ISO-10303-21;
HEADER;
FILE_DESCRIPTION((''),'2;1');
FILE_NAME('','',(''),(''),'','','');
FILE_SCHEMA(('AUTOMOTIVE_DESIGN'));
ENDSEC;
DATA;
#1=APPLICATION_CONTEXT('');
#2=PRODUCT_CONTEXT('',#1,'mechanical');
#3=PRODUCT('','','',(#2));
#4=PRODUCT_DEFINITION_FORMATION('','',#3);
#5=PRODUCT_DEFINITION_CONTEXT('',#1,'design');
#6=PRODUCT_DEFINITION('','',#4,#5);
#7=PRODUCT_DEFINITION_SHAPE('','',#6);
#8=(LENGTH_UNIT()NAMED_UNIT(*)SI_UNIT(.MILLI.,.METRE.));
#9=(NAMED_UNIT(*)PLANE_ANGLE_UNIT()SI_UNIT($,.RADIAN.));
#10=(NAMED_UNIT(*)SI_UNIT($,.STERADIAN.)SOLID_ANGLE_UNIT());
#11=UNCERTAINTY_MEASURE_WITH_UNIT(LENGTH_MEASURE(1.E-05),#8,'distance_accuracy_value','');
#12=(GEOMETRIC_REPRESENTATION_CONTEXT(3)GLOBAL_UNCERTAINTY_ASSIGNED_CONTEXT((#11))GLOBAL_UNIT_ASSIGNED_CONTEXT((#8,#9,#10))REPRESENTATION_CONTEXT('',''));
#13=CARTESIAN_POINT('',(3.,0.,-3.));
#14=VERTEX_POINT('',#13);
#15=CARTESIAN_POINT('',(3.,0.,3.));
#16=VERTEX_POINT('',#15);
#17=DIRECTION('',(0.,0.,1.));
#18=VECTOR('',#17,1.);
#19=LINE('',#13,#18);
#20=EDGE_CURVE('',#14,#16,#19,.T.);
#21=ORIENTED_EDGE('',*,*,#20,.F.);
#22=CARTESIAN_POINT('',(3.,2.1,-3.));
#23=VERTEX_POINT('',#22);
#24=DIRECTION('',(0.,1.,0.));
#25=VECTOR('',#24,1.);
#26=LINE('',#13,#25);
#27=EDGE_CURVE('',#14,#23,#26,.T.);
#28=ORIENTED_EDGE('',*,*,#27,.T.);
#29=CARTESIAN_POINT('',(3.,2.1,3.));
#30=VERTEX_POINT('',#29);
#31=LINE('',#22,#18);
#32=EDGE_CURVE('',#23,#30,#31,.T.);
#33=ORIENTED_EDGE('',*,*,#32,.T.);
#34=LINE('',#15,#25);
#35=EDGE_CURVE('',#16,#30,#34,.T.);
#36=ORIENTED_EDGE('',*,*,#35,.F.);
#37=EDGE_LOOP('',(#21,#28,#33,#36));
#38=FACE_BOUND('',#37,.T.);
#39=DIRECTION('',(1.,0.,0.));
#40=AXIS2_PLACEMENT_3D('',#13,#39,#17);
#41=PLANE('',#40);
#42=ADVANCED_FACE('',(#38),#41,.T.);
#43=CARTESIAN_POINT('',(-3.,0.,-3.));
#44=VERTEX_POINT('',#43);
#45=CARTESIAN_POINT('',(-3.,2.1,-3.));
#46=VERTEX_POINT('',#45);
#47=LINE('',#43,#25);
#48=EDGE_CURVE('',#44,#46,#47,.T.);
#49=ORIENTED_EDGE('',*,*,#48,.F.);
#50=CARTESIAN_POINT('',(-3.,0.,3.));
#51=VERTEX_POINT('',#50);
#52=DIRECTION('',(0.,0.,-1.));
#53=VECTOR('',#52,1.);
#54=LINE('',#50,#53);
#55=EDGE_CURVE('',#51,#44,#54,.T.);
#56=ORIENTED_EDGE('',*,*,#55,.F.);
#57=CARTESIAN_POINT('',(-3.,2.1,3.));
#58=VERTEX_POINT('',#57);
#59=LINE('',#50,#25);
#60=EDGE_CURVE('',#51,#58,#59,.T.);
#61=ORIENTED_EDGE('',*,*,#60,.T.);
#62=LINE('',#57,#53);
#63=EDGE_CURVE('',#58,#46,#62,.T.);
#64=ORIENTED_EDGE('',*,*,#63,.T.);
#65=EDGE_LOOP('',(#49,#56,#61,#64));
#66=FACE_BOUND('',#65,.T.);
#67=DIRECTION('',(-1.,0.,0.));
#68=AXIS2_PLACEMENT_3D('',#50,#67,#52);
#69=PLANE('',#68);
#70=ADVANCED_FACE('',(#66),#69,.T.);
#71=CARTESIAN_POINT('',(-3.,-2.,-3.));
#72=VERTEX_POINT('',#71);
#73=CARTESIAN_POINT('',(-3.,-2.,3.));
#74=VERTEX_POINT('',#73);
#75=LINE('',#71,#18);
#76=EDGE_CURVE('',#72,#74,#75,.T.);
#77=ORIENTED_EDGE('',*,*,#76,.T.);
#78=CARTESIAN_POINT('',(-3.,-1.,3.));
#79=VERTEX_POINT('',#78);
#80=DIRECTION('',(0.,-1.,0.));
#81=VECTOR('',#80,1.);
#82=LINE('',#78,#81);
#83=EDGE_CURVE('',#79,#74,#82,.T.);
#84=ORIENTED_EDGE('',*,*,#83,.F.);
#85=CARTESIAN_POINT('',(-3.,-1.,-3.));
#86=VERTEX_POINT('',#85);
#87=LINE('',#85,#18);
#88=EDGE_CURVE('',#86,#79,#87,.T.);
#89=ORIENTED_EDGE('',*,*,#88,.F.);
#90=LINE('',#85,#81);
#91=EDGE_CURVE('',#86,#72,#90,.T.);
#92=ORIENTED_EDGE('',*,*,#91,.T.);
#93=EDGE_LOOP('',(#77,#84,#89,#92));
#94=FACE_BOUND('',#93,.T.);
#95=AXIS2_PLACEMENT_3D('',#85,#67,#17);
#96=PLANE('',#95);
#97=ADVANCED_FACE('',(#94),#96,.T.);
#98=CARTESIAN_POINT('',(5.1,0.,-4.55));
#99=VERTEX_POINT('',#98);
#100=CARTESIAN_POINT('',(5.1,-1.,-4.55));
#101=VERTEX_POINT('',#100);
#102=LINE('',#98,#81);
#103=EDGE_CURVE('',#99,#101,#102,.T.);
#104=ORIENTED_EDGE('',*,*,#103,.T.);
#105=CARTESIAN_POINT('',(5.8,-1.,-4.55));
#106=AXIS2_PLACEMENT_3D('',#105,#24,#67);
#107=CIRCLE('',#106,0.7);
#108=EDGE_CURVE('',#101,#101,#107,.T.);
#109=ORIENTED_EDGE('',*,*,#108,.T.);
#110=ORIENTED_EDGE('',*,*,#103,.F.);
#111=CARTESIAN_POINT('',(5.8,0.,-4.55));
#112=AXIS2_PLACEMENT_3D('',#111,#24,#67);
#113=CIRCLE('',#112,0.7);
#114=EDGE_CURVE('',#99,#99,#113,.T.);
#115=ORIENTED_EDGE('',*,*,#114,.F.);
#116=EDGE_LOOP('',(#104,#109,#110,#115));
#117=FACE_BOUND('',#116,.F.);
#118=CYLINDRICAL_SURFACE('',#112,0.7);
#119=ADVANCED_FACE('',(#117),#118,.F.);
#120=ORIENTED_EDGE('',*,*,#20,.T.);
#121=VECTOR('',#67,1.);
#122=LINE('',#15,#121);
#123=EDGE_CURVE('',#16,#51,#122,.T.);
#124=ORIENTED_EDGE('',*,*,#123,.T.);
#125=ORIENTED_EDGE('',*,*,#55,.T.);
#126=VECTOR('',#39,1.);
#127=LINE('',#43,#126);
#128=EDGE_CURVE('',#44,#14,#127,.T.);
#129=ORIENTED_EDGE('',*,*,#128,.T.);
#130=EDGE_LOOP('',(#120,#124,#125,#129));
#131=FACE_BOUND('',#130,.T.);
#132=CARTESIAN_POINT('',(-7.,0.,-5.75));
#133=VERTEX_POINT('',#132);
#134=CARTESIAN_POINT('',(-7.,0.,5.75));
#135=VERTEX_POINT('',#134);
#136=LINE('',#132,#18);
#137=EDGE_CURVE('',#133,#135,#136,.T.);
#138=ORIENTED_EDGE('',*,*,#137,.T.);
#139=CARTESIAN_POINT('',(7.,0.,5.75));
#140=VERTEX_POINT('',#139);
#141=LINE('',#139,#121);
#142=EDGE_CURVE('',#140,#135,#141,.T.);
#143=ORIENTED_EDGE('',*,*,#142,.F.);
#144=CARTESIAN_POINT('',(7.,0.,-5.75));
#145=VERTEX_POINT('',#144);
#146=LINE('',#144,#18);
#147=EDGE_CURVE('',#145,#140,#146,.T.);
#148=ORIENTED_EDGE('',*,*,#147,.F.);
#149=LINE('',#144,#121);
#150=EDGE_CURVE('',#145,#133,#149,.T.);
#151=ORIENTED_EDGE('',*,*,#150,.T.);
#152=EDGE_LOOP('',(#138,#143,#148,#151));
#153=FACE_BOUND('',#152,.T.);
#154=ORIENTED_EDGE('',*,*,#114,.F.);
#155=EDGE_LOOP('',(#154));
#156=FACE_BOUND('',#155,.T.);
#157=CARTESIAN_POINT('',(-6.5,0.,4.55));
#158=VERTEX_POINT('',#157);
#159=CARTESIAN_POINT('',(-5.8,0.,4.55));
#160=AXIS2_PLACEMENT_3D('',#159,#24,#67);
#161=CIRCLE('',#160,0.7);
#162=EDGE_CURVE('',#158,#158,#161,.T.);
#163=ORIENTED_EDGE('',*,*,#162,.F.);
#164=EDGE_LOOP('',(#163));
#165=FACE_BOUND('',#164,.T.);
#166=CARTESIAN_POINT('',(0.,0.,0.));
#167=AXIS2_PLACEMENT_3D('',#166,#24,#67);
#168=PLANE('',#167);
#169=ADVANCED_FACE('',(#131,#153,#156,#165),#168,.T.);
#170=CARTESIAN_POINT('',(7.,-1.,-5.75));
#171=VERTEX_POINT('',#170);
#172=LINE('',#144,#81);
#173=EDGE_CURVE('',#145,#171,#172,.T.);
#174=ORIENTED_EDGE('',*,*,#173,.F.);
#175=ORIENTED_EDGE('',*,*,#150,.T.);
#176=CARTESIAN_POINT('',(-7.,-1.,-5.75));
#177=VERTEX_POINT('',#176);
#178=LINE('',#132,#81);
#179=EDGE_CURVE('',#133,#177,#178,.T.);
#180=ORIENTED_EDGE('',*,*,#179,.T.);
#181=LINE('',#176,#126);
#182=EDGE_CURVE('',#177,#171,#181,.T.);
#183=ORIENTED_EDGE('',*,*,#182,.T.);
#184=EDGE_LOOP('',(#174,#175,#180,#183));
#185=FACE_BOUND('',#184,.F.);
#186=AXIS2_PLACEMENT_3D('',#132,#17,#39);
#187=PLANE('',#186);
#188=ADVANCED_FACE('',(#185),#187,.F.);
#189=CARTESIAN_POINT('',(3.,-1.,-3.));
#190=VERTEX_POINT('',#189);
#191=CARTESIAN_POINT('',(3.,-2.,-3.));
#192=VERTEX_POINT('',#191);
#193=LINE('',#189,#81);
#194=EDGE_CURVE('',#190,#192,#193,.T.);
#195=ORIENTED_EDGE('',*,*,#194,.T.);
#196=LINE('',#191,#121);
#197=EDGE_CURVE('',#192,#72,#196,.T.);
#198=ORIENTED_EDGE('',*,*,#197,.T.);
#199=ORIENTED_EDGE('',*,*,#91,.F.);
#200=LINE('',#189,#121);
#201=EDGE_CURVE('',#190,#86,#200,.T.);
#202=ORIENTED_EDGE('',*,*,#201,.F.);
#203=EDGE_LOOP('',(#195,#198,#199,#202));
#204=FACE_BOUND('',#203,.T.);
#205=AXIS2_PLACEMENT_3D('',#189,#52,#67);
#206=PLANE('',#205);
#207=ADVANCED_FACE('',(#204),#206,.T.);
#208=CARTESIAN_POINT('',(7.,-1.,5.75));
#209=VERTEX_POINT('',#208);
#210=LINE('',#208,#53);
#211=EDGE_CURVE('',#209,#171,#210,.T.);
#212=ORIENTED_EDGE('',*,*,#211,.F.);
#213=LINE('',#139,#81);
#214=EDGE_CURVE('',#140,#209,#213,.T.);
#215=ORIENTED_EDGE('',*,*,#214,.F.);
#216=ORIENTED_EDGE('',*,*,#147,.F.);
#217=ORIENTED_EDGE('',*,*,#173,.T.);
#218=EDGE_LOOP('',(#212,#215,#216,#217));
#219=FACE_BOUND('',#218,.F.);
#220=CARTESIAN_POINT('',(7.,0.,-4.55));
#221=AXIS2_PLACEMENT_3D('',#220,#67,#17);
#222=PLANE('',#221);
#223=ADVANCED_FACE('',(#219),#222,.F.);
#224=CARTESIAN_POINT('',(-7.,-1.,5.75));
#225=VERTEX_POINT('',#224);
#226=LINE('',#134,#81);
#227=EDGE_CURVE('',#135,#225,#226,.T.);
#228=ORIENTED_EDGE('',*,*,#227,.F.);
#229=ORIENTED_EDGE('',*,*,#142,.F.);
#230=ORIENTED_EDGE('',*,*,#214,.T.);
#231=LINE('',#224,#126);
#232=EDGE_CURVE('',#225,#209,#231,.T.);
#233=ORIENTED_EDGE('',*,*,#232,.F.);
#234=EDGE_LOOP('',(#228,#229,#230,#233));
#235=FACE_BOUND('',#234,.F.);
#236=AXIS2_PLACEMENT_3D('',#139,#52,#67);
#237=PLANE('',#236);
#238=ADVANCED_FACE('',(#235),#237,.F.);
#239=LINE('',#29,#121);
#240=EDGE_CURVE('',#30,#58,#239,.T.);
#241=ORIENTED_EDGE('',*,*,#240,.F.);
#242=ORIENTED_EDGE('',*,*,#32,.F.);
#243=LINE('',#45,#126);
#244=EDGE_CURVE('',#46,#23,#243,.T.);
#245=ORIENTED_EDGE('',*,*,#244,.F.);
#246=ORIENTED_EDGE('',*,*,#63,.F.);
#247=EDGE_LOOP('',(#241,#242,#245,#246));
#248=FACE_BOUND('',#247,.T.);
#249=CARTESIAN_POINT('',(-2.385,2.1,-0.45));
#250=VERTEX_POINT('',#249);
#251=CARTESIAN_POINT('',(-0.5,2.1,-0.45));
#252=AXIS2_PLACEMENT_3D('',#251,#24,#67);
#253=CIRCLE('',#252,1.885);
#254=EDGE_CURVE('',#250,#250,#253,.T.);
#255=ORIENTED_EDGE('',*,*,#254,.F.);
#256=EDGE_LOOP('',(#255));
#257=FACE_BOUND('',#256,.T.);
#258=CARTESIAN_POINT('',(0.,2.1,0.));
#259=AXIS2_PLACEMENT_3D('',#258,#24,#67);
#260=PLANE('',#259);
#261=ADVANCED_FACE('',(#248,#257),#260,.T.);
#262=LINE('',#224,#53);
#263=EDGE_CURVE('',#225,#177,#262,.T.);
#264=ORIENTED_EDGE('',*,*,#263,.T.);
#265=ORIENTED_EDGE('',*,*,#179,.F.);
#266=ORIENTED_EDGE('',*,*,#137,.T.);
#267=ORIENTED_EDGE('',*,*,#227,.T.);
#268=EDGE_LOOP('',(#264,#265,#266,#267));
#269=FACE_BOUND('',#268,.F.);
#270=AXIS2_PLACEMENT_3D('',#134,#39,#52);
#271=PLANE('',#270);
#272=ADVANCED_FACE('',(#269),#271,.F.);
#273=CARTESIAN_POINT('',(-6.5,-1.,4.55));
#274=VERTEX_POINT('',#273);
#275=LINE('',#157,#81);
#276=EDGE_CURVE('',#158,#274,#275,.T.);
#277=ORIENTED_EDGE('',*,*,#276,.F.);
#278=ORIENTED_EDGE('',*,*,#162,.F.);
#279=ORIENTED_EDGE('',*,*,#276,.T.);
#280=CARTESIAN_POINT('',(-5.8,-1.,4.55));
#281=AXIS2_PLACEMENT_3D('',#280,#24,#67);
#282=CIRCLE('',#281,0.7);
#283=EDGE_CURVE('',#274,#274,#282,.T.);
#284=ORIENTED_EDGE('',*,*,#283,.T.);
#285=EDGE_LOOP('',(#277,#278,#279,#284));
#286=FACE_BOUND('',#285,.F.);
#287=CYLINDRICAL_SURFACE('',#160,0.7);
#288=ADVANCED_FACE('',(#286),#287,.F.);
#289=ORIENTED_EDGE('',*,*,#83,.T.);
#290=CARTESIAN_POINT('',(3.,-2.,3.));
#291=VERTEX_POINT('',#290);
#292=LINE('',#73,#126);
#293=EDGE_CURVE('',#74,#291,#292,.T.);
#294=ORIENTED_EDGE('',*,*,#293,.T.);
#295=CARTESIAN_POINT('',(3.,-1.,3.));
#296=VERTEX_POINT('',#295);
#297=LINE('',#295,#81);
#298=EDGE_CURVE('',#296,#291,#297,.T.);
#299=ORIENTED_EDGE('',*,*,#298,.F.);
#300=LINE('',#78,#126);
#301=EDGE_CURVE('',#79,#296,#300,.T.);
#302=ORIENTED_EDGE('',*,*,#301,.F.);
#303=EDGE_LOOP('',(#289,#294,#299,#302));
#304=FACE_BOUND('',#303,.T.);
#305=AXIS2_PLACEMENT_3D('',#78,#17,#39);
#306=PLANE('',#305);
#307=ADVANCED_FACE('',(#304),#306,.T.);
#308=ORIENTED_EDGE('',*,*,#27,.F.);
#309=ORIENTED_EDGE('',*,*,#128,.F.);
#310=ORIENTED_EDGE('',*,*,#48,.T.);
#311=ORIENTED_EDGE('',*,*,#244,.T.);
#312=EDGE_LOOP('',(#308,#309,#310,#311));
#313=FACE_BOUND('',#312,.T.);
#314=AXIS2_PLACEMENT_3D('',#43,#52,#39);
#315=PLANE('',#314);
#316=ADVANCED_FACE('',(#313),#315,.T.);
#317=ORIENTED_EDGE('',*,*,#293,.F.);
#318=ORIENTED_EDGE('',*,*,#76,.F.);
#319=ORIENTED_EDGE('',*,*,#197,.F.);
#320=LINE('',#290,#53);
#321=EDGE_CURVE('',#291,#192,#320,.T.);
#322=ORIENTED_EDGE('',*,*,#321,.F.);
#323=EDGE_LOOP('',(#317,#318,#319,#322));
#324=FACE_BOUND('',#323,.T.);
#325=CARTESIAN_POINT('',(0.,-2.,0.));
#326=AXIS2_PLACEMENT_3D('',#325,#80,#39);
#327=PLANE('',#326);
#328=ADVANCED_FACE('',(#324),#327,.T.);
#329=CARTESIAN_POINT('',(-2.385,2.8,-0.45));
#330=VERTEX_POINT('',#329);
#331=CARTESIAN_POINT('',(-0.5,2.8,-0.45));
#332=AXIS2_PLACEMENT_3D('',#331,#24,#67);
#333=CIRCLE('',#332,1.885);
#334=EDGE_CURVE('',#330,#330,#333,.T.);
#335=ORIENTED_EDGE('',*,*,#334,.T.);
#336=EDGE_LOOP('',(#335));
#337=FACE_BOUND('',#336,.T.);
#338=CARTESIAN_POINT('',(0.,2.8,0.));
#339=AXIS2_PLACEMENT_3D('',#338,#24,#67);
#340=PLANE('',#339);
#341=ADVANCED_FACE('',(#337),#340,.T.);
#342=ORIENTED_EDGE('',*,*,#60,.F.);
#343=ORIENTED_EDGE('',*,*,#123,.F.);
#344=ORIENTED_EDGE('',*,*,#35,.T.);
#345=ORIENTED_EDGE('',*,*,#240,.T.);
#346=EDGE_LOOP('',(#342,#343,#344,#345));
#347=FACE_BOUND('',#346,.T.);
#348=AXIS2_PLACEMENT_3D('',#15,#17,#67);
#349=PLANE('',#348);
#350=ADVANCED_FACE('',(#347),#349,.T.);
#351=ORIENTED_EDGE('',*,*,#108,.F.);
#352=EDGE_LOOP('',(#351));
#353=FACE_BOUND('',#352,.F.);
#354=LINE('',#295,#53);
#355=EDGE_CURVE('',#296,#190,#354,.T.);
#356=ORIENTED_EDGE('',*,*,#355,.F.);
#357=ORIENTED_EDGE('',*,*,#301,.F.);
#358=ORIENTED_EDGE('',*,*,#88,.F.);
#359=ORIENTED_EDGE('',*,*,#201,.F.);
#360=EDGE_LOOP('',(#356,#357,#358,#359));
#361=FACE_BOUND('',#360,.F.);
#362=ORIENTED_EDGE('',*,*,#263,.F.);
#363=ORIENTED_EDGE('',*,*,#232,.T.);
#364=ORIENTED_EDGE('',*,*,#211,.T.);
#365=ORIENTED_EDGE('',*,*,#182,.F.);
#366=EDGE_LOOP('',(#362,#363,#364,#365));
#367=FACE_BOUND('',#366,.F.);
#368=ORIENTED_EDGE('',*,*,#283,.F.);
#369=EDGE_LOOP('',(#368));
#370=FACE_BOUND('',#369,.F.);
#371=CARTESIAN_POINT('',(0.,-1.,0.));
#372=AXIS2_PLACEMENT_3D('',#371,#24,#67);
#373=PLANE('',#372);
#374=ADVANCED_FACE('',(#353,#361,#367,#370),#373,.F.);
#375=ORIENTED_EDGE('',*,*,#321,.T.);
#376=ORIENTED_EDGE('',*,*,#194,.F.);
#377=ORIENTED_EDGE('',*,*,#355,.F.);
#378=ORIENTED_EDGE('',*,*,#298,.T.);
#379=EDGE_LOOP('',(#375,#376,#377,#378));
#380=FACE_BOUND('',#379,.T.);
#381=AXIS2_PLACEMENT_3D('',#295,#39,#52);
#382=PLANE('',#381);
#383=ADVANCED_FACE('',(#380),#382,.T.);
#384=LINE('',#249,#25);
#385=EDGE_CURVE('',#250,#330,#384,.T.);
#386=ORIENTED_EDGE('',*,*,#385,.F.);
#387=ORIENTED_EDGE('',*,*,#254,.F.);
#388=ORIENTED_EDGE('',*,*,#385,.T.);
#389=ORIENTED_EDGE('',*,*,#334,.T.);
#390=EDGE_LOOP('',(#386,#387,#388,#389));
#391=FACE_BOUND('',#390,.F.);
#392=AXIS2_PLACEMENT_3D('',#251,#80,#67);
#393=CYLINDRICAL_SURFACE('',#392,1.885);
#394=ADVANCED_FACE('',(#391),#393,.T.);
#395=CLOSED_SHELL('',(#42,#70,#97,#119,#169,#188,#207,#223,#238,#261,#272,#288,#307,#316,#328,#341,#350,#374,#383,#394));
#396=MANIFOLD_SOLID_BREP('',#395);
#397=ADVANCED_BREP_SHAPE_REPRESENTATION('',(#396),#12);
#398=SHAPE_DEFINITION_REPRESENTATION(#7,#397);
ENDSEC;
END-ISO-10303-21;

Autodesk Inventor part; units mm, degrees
ref_plane "YZ Plane" through (0, 0, 0) normal (1, 0, 0) x (0, 1, 0)
ref_plane "XZ Plane" through (0, 0, 0) normal (0, 1, 0) x (-1, 0, 0)
ref_plane "XY Plane" through (0, 0, 0) normal (0, 0, 1) x (1, 0, 0)
sketch "Sketch1" plane through (0, 0, 0) normal (0, 1, 0) x (-1, 0, 0)
  line L0 (-7, 5.75) -> (7, 5.75)
  line L1 (7, 5.75) -> (7, -5.75)
  line L2 (7, -5.75) -> (-7, -5.75)
  line L3 (-7, -5.75) -> (-7, 5.75)
  line L4 (7, 5.75) -> (-7, -5.75) construction
  line L5 (-7, -5.75) -> (-5.8, -5.75)
  line L6 (-7, -4.55) -> (-7, -5.75)
  line L7 (7, 5.75) -> (5.8, 5.75)
  line L8 (7, 4.55) -> (7, 5.75)
  circle A0 centre (-5.8, -4.55) radius 0.7
  circle A1 centre (5.8, 4.55) radius 0.7
  line L9 (-3, 3) -> (3, 3)
  line L10 (3, 3) -> (3, -3)
  line L11 (3, -3) -> (-3, -3)
  line L12 (-3, -3) -> (-3, 3)
  line L13 (-3, 3) -> (3, -3) construction
  line L14 (3, 3) -> (-3, -3) construction
  circle A2 centre (0.5, -0.45) radius 1.885
  point P0 (3.3, -2.75)
  point P1 (0, 0)
  dimension "d0" = 14
  dimension "d1" = 11.5
  dimension "d6" = 1.4
  dimension "d7" = 1.4
  dimension "d12" = 6
  dimension "d13" = 6
  dimension "d17" = 3.77
sketch "Sketch2" plane through (0, 0, 0) normal (0, 1, 0) x (-1, 0, 0)
  line L0 (-7, 5.75) -> (7, 5.75)
  line L1 (7, 5.75) -> (7, -5.75)
  line L2 (7, -5.75) -> (-7, -5.75)
  line L3 (-7, -5.75) -> (-7, 5.75)
  line L4 (7, 5.75) -> (-7, -5.75) construction
  line L5 (-7, -5.75) -> (-5.8, -5.75)
  line L6 (-7, -4.55) -> (-7, -5.75)
  line L7 (7, 5.75) -> (5.8, 5.75)
  line L8 (7, 4.55) -> (7, 5.75)
  circle A0 centre (-5.8, -4.55) radius 0.7
  circle A1 centre (5.8, 4.55) radius 0.7
  line L9 (-3, 3) -> (3, 3)
  line L10 (3, 3) -> (3, -3)
  line L11 (3, -3) -> (-3, -3)
  line L12 (-3, -3) -> (-3, 3)
  line L13 (-3, 3) -> (3, -3) construction
  line L14 (3, 3) -> (-3, -3) construction
  circle A2 centre (0.5, -0.45) radius 1.885
  point P0 (0, 0)
  point P1 (3.3, -2.75)
  point P2 (0, 0)
  dimension "d18" = 14
  dimension "d19" = 11.5
  dimension "d20" = 1.4
  dimension "d21" = 1.4
  dimension "d22" = 6
  dimension "d23" = 6
  dimension "d24" = 3.77
sketch "Sketch3" plane through (0, 0, 0) normal (0, 1, 0) x (-1, 0, 0)
  line L0 (-7, 5.75) -> (7, 5.75)
  line L1 (7, 5.75) -> (7, -5.75)
  line L2 (7, -5.75) -> (-7, -5.75)
  line L3 (-7, -5.75) -> (-7, 5.75)
  line L4 (7, 5.75) -> (-7, -5.75) construction
  line L5 (-7, -5.75) -> (-5.8, -5.75)
  line L6 (-7, -4.55) -> (-7, -5.75)
  line L7 (7, 5.75) -> (5.8, 5.75)
  line L8 (7, 4.55) -> (7, 5.75)
  circle A0 centre (-5.8, -4.55) radius 0.7
  circle A1 centre (5.8, 4.55) radius 0.7
  line L9 (-3, 3) -> (3, 3)
  line L10 (3, 3) -> (3, -3)
  line L11 (3, -3) -> (-3, -3)
  line L12 (-3, -3) -> (-3, 3)
  line L13 (-3, 3) -> (3, -3) construction
  line L14 (3, 3) -> (-3, -3) construction
  circle A2 centre (0.5, -0.45) radius 1.885
  point P0 (0, 0)
  point P1 (3.3, -2.75)
  point P2 (0, 0)
  dimension "d25" = 14
  dimension "d26" = 11.5
  dimension "d27" = 1.4
  dimension "d28" = 1.4
  dimension "d29" = 6
  dimension "d30" = 6
  dimension "d31" = 3.77
extrude "Extrusion1" add sketch "Sketch1" against normal blind 1 contours L0 L1 L2 L3 | L9 L10 L11 L12 | A2
extrude "Extrusion2" add sketch "Sketch2" along normal blind 2.1 contours L9 L10 L11 L12 | A2
extrude "Extrusion3" add sketch "Sketch3" along normal blind 0.7 from surface at 2.1 contours A2
sketch "Sketch4" plane through (0, -1, 0) normal (0, -1, 0) x (1, 0, 0)
  line L0 (3, -3) -> (-3, -3)
  line L1 (-3, -3) -> (-3, 3)
  line L2 (-3, 3) -> (3, 3)
  line L3 (3, 3) -> (3, -3)
  line L4 (3, -3) -> (-3, 3) construction
  line L5 (-3, -3) -> (3, 3) construction
  point P0 (0, 0)
  dimension "d38" = 6
  dimension "d39" = 6
extrude "Extrusion4" add sketch "Sketch4" along normal blind 1
properties part number "optical"
